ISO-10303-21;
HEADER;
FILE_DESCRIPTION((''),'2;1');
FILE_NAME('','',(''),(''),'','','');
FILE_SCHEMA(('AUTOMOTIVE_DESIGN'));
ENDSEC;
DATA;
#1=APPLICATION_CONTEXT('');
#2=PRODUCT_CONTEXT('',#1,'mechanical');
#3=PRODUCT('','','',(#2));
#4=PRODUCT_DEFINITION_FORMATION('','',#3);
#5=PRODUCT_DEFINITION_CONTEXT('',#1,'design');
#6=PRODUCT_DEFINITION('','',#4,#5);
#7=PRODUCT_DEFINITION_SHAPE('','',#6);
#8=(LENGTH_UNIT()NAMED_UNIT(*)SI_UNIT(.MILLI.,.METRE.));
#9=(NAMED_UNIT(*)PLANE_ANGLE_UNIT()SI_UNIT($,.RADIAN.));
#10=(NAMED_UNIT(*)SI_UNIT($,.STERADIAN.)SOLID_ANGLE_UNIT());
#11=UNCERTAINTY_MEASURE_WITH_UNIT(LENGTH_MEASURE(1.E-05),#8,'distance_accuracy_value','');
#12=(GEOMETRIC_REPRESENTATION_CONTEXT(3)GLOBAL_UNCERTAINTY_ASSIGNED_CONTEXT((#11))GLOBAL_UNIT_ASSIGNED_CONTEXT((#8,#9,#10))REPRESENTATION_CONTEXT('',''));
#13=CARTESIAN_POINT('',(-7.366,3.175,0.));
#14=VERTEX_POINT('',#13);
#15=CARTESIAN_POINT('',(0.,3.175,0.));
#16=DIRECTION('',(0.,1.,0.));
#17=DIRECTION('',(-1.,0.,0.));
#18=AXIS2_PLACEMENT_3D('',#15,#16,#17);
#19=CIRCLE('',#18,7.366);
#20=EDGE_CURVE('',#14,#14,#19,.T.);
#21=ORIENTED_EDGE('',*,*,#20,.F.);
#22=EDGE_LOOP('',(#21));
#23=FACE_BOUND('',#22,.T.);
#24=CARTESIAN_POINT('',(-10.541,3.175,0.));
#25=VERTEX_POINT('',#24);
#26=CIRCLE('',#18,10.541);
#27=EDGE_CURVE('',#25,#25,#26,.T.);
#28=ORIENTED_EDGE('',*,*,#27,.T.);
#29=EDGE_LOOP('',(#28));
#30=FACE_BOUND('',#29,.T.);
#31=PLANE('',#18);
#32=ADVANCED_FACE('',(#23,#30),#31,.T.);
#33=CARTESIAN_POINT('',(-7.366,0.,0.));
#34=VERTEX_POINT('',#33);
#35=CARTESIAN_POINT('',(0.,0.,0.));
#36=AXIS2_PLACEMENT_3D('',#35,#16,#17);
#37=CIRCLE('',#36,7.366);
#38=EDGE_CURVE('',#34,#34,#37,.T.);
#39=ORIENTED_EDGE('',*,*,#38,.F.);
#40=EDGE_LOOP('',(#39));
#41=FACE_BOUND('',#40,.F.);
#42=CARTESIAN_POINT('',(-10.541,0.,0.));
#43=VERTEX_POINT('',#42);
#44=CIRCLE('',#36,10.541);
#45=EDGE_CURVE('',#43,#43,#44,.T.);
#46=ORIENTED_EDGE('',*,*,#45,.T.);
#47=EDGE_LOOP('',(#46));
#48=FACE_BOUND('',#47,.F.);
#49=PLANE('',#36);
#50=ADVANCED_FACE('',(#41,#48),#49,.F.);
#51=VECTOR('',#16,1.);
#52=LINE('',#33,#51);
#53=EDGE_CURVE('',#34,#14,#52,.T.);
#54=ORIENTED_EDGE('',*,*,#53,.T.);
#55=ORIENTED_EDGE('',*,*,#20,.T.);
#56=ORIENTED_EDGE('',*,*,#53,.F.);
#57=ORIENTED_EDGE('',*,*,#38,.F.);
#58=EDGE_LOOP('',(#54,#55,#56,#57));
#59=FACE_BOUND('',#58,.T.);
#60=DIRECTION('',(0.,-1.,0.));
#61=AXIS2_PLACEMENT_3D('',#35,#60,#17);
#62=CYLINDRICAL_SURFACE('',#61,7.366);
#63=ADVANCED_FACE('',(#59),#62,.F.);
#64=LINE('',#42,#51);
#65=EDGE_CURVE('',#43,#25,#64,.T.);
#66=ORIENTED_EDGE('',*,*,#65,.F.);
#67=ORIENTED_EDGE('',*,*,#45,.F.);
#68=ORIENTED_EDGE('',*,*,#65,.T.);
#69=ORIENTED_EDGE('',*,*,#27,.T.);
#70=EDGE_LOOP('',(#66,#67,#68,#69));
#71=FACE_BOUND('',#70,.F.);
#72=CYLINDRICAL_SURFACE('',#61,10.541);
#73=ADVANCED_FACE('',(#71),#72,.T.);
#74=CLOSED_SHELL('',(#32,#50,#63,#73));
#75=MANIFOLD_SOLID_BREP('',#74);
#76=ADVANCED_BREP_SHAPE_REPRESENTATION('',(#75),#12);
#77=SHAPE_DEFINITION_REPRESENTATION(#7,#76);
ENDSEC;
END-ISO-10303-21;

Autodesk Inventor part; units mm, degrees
ref_plane "YZ Plane" through (0, 0, 0) normal (1, 0, 0) x (0, 1, 0)
ref_plane "XZ Plane" through (0, 0, 0) normal (0, 1, 0) x (-1, 0, 0)
ref_plane "XY Plane" through (0, 0, 0) normal (0, 0, 1) x (1, 0, 0)
sketch "Sketch1" plane through (0, 0, 0) normal (0, 1, 0) x (-1, 0, 0)
  circle A0 centre (0, 0) radius 7.366
  circle A1 centre (0, 0) radius 10.541
  dimension "d0" = 14.732
  dimension "d1" = 3.175
extrude "Extrusion1" add sketch "Sketch1" along normal blind 3.175
properties part number "GP6-011" material "ABS Plastic"
